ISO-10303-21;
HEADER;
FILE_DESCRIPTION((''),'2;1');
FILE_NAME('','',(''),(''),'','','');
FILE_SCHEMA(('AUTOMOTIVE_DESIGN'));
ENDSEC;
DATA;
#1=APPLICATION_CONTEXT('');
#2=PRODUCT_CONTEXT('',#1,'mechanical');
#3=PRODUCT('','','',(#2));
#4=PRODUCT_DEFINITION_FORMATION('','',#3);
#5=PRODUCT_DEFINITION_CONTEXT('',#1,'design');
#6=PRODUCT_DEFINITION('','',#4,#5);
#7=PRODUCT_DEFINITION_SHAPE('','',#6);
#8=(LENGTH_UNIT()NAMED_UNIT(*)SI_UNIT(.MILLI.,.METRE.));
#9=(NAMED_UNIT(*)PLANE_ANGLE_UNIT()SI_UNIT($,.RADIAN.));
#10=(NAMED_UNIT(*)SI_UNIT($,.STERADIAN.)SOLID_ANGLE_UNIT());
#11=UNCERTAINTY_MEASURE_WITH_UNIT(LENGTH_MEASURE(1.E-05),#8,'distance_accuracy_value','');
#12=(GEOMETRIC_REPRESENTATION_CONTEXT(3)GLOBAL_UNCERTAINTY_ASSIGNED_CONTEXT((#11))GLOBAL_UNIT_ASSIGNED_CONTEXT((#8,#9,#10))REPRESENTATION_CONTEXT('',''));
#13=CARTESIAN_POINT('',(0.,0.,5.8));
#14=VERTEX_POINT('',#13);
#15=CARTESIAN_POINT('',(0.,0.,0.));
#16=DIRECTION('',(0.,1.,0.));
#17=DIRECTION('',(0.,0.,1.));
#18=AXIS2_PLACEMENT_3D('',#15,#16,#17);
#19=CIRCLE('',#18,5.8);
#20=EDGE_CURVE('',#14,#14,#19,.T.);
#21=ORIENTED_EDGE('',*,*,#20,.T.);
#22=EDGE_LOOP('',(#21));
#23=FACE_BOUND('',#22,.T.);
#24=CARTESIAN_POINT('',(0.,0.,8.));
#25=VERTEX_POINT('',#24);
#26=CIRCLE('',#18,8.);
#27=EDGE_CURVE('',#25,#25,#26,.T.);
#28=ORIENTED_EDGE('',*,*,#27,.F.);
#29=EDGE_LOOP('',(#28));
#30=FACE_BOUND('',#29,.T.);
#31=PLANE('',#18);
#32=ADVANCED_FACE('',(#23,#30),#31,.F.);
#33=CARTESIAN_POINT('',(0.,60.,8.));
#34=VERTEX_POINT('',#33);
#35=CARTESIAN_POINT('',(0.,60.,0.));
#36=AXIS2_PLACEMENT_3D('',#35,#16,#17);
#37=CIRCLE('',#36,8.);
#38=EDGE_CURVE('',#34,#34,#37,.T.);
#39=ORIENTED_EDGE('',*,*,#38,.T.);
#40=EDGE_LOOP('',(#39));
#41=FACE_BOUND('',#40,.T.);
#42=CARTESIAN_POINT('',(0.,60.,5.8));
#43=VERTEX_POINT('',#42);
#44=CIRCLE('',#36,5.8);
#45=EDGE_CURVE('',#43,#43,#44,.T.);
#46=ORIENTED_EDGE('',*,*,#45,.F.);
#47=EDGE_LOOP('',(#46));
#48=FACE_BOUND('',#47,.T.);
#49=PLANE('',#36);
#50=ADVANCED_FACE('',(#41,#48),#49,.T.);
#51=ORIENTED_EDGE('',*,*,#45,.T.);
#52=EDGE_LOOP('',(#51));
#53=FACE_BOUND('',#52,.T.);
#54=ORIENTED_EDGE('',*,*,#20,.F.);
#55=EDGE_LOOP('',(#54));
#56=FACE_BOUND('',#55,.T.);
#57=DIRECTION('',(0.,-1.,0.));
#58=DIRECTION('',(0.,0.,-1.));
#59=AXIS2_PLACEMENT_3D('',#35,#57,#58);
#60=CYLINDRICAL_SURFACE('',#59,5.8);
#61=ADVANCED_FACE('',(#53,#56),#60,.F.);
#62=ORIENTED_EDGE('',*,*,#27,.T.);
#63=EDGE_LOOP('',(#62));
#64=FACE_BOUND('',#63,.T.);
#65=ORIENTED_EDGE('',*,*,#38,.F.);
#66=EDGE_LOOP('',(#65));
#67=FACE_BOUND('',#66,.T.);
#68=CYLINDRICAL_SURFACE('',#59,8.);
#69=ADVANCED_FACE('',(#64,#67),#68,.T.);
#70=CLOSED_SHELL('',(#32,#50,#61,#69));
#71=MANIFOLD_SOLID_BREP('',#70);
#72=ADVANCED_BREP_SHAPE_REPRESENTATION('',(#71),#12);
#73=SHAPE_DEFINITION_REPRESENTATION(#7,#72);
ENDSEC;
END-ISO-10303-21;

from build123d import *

# Parameters (mm, degrees)
SKETCH_1_R      = 8
SKETCH_1_R_2    = 5.8
EXTRUDE_1_DEPTH = 60


with BuildPart() as part:
    # Эскиз1 → Бобышка-Вытянуть1 (new body)
    with BuildSketch(Plane(origin=(0, 0, 0), x_dir=(1, 0, 0), z_dir=(0, 1, 0))):
        with Locations(Location((0, 0, 0), (0, 0, 270))):
            Circle(SKETCH_1_R)
        with Locations(Location((0, 0, 0), (0, 0, 270))):
            Circle(SKETCH_1_R_2, mode=Mode.SUBTRACT)
    extrude(amount=EXTRUDE_1_DEPTH)


solid = part.part
